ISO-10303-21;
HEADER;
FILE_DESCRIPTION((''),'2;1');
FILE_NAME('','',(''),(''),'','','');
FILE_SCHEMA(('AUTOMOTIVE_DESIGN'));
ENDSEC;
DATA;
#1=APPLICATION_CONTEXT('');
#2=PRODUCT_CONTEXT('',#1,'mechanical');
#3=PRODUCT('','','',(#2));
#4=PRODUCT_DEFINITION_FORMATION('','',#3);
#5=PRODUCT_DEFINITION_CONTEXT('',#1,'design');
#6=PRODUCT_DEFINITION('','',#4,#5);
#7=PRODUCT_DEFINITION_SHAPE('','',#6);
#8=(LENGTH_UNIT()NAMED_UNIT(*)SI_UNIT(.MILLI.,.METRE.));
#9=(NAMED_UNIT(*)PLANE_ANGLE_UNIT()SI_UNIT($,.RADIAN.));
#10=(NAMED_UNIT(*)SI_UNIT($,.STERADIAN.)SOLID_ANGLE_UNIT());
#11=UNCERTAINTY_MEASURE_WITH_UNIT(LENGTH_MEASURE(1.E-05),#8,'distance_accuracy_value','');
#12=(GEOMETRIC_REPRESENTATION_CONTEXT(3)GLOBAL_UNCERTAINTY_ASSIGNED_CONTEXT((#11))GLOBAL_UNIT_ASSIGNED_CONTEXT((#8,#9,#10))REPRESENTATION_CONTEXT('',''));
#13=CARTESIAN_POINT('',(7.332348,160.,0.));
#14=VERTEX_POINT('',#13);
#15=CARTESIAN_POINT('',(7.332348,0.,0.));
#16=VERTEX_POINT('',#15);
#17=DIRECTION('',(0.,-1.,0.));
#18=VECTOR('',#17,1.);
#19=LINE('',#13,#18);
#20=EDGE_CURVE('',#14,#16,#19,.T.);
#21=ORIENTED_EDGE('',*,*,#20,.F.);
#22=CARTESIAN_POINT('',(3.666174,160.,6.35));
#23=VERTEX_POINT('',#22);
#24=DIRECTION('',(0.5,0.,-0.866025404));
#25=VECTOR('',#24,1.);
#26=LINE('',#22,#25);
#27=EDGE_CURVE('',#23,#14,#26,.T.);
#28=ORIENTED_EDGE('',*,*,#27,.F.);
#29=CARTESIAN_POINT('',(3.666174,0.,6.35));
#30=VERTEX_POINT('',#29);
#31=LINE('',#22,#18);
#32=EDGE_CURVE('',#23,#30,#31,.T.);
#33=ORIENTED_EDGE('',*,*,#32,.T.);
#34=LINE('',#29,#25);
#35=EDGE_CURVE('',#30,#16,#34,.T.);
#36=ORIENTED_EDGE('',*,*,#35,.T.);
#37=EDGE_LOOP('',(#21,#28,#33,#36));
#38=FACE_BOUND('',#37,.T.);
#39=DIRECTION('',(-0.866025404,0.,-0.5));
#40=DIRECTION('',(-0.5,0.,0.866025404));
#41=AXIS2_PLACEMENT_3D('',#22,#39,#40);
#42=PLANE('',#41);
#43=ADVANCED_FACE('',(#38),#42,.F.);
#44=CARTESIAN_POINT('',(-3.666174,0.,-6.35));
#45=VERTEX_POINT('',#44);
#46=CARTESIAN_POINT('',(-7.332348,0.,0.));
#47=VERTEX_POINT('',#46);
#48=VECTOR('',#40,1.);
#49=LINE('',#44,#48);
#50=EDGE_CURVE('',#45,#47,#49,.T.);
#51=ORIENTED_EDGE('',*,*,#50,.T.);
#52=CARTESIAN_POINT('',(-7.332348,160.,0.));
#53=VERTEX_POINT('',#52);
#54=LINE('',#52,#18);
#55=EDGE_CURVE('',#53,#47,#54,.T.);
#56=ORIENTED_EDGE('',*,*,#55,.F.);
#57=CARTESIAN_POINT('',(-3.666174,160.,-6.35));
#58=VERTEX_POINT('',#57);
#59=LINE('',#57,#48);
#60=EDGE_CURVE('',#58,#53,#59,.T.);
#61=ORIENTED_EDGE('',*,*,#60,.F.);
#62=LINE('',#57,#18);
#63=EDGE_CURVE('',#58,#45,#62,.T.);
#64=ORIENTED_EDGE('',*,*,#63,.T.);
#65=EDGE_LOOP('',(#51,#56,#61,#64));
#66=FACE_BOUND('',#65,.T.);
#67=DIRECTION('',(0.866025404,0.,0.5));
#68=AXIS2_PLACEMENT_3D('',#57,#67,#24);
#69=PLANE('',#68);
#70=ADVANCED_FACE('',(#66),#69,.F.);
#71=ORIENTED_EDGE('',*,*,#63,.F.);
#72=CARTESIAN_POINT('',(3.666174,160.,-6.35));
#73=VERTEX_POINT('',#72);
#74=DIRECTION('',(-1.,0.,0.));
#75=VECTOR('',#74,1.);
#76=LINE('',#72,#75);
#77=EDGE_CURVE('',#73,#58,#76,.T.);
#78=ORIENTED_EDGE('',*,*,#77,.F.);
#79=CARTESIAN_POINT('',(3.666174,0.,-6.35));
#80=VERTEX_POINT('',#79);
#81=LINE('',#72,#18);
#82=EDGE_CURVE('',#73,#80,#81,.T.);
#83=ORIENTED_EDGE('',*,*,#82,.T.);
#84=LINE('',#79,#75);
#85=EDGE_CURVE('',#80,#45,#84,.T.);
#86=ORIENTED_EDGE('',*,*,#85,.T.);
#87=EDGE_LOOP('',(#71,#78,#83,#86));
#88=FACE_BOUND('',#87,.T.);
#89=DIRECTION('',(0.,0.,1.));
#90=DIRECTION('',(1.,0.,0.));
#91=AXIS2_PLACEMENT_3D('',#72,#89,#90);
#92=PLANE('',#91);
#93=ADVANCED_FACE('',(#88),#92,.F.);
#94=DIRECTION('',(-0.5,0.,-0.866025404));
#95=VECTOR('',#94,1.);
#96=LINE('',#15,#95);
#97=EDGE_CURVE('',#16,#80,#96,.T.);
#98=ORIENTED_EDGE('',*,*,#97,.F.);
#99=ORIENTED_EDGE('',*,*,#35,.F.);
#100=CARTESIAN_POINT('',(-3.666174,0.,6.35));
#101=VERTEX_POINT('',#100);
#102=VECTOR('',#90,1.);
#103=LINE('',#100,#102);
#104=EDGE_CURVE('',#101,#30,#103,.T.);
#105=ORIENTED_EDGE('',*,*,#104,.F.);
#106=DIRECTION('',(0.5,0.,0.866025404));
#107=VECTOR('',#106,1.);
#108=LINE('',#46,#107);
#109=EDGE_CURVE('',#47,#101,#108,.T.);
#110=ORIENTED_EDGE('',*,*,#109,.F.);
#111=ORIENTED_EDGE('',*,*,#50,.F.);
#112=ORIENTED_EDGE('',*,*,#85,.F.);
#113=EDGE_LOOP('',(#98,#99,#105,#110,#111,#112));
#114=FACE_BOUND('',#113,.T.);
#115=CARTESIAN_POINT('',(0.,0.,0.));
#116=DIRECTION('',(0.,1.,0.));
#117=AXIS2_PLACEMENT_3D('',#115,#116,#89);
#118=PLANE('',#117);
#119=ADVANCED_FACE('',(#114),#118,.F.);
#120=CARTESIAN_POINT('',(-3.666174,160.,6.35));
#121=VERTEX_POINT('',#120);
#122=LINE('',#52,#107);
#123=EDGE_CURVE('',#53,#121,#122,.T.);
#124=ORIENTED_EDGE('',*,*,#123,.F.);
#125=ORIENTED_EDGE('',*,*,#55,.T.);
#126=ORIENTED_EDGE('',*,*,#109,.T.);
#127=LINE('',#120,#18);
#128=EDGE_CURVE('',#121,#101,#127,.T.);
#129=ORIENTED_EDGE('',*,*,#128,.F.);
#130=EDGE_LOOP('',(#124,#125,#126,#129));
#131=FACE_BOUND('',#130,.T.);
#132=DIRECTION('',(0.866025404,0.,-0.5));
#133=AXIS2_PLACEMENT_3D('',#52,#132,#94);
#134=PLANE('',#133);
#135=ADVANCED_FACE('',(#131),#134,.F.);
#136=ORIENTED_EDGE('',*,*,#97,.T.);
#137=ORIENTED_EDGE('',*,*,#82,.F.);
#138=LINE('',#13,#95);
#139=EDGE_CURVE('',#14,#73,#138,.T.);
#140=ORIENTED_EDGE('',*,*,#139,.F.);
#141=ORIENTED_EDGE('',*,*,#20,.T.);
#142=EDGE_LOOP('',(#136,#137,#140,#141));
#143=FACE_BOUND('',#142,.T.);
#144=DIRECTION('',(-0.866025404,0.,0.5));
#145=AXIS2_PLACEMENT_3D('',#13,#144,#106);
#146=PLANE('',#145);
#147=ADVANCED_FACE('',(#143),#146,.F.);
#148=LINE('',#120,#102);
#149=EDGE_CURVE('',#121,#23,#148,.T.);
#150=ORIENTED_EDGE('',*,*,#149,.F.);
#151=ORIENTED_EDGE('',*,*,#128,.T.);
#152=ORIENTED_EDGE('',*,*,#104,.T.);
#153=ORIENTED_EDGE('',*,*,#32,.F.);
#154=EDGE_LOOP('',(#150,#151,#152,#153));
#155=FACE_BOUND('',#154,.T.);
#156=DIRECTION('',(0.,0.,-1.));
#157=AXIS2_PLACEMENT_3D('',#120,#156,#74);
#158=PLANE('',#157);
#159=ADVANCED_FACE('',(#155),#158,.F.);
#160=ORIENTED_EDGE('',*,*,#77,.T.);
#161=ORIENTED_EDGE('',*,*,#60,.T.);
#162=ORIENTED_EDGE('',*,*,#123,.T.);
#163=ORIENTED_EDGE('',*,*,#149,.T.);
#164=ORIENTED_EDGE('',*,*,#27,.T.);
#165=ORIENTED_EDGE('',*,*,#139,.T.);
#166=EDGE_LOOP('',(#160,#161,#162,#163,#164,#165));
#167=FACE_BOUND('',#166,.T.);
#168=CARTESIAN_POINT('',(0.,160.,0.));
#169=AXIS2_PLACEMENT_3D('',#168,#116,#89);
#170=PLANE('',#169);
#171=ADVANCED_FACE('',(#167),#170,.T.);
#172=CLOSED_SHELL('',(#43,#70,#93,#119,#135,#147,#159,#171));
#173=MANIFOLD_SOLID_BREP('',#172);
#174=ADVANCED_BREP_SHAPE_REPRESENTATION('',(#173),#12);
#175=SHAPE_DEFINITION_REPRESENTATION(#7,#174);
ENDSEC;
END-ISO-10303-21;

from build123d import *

# Parameters (mm, degrees)
SALIENTE_EXTRUIR1_DEPTH = 160


with BuildPart() as part:
    # Croquis1 → Saliente-Extruir1 (new body)
    with BuildSketch(Plane(origin=(0, 0, 0), x_dir=(1, 0, 0), z_dir=(0, 1, 0))):
        Polygon((7.332348419, 0), (3.666174209, 6.35), (-3.666174209, 6.35), (-7.332348419, 0), (-3.666174209, -6.35), (3.666174209, -6.35), align=None)
    extrude(amount=SALIENTE_EXTRUIR1_DEPTH)


solid = part.part
